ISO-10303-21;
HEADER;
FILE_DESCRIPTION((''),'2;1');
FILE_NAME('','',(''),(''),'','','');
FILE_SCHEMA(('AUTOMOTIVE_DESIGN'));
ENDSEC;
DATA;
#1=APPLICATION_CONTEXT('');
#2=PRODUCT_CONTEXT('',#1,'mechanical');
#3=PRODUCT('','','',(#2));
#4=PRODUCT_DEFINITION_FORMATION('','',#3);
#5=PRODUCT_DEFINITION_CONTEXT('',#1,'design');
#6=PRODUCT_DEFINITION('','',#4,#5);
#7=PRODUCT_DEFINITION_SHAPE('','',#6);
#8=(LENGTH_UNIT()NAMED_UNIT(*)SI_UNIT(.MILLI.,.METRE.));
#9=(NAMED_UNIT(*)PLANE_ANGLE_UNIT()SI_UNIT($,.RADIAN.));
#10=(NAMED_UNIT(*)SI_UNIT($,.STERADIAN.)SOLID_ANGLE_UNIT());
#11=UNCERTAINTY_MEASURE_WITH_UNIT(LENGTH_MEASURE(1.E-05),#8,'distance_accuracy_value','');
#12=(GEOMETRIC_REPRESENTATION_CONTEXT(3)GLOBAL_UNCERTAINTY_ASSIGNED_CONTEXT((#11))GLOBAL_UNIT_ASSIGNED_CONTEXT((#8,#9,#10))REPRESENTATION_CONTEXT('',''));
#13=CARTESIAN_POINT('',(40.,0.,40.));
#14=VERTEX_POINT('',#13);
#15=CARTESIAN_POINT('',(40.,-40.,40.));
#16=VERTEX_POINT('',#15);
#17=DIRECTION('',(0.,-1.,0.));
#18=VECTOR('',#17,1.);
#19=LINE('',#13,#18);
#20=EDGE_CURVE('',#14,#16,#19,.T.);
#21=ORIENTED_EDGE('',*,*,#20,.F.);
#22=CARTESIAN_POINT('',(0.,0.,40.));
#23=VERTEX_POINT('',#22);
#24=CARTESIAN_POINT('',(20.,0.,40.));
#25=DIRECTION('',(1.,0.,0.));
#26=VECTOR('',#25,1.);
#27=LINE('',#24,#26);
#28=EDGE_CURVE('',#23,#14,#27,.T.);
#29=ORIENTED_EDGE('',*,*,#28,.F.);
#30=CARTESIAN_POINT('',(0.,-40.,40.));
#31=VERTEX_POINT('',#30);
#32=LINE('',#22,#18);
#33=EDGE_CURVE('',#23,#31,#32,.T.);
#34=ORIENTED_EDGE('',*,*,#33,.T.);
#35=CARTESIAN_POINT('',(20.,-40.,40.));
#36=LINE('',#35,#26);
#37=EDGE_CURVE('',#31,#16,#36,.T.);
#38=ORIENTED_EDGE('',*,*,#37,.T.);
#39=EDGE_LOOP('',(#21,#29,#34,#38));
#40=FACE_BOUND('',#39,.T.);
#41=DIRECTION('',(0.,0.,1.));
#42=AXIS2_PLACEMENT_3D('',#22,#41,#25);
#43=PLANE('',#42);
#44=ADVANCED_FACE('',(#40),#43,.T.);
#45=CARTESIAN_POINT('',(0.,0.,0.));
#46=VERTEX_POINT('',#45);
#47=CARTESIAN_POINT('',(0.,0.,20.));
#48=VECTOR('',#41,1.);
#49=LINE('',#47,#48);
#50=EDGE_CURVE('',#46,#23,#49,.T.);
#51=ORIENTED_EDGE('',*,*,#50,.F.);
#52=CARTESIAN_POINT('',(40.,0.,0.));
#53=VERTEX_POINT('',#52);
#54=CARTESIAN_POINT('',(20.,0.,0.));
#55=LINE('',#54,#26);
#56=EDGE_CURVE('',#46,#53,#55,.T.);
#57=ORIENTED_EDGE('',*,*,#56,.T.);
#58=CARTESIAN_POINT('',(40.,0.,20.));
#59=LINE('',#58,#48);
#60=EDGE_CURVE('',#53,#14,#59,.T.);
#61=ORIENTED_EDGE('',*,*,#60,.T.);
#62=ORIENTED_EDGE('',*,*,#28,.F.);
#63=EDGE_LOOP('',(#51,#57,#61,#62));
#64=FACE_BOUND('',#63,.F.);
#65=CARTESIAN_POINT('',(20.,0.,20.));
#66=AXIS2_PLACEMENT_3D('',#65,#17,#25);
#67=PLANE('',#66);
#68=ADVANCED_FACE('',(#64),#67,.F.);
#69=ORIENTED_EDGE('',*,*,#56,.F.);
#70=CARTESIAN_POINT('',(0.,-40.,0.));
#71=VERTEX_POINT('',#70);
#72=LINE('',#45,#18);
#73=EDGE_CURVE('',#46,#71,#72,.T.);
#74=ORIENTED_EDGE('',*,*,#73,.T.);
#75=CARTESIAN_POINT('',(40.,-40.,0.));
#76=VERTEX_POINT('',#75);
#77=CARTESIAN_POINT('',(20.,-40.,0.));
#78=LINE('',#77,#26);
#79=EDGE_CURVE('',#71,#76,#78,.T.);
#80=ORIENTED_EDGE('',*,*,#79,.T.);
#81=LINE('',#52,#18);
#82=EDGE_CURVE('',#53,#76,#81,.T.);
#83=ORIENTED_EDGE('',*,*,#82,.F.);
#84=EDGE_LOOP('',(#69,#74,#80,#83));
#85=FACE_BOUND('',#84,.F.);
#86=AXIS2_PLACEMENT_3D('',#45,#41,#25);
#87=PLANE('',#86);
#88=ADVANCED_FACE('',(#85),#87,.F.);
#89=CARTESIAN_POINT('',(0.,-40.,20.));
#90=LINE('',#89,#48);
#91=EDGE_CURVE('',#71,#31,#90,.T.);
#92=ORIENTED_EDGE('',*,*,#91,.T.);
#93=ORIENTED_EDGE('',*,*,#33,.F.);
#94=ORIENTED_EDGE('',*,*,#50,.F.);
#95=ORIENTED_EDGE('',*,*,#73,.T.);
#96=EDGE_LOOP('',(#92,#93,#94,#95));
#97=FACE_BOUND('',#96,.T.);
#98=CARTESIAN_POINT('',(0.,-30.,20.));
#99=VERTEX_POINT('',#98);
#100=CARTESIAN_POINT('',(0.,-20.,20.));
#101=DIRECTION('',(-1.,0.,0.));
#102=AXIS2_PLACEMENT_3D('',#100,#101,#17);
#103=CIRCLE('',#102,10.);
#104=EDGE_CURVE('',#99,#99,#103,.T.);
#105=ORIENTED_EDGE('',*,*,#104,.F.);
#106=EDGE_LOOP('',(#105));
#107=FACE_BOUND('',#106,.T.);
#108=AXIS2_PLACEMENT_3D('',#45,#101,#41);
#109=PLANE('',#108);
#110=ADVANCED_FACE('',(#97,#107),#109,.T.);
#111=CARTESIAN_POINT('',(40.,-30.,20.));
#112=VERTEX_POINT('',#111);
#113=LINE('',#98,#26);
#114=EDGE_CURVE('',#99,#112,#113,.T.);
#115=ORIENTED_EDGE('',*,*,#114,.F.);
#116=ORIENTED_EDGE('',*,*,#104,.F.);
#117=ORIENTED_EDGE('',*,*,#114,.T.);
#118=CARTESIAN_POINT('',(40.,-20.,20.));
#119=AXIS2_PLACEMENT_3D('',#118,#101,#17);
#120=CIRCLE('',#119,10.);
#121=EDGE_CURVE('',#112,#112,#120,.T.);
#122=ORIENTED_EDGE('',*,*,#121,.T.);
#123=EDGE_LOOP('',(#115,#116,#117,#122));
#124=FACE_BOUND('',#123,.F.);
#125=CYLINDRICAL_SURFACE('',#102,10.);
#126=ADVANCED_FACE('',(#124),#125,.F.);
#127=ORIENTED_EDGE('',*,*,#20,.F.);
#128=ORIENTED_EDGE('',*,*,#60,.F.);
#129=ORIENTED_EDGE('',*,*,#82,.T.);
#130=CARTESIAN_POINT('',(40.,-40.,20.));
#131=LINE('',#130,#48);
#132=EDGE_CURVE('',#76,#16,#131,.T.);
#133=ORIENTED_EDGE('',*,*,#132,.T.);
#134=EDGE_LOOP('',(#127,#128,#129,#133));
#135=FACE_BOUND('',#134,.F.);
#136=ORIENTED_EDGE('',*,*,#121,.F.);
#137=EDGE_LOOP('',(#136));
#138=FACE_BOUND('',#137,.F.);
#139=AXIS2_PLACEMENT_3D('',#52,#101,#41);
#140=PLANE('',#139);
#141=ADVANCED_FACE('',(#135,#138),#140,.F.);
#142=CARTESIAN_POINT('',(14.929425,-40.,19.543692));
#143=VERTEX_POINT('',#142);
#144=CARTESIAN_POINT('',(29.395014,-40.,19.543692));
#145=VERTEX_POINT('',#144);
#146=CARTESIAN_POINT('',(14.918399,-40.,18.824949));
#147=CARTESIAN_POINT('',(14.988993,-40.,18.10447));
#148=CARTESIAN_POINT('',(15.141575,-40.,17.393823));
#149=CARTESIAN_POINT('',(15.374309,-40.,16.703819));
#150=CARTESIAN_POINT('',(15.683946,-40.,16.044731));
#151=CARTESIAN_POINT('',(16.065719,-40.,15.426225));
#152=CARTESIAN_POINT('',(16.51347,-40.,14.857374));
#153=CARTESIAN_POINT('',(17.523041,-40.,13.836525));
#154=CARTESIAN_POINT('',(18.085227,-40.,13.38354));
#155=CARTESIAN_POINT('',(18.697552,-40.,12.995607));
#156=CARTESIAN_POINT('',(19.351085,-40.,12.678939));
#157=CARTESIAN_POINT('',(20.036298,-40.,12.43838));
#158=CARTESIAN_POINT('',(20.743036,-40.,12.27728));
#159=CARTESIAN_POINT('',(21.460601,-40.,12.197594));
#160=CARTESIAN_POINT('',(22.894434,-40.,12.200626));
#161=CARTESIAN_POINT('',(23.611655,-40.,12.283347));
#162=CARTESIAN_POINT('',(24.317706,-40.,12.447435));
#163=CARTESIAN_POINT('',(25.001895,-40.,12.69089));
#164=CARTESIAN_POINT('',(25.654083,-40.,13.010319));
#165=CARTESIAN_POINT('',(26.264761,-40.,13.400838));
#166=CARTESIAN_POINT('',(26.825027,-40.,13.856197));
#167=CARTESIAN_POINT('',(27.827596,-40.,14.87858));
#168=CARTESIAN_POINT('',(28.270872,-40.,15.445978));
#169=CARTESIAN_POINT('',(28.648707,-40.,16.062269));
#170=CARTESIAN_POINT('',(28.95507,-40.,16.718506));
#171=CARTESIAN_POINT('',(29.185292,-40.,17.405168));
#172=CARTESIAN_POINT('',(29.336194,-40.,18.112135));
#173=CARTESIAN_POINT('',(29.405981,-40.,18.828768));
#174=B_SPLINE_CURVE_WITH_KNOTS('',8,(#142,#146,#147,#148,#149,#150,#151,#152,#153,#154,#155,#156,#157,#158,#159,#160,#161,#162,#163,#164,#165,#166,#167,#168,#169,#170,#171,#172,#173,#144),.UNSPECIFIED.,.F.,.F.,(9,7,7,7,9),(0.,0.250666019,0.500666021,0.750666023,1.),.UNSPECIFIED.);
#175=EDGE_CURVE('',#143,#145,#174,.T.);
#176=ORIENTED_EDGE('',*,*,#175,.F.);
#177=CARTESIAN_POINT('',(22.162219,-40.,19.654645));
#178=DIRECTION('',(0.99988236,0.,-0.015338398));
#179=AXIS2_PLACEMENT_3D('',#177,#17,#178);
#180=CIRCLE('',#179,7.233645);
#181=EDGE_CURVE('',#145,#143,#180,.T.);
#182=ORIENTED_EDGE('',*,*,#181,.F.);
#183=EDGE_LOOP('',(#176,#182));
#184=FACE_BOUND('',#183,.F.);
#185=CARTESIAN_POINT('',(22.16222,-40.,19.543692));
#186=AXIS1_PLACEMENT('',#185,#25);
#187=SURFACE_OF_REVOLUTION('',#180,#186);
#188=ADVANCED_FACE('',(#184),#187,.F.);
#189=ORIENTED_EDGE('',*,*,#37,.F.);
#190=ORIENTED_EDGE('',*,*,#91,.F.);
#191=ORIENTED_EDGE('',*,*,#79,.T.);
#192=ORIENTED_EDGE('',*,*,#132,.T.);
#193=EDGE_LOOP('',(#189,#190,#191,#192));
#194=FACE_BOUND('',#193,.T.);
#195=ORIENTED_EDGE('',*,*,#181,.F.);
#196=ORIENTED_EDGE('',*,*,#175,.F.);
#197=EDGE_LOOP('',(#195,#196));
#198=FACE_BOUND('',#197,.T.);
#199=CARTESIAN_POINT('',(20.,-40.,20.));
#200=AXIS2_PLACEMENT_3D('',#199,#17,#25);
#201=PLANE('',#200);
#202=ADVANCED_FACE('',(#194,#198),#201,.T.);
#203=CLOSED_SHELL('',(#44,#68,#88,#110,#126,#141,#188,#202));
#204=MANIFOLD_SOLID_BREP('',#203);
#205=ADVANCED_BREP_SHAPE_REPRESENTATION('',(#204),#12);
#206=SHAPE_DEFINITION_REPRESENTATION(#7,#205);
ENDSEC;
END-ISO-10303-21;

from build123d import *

# Parameters (mm, degrees)
F0_W     = 40
F0_H     = 40
F1_DEPTH = 40
F2_R     = 10
F3_DEPTH = 40.001


with BuildPart() as f1:
    # F0 (on Front) → F1 (new body)
    with BuildSketch(Plane.XZ):
        with Locations((20, 20)):
            Rectangle(F0_W, F0_H)
    extrude(amount=F1_DEPTH)

    # F2 (on face) → F3 (cut, through all)
    with BuildSketch(Plane(origin=(0, 0, 0), x_dir=(0, -1, 0), z_dir=(-1, 0, 0))):
        with Locations((20, 20)):
            Circle(F2_R)
    extrude(amount=-F3_DEPTH, mode=Mode.SUBTRACT)

    # F4 (on face) → F5 (revolve)
    with BuildSketch(Plane.XZ.offset(40)):
        with BuildLine():
            ThreePointArc((29.395014, 19.543692), (22.16222, 26.88829), (14.929425, 19.543692))
            Line((14.929425, 19.543692), (29.395014, 19.543692))
        make_face()
    revolve(axis=Axis((22.16222, -40, 19.543692), (1, 0, 0)))


solid = f1.part
